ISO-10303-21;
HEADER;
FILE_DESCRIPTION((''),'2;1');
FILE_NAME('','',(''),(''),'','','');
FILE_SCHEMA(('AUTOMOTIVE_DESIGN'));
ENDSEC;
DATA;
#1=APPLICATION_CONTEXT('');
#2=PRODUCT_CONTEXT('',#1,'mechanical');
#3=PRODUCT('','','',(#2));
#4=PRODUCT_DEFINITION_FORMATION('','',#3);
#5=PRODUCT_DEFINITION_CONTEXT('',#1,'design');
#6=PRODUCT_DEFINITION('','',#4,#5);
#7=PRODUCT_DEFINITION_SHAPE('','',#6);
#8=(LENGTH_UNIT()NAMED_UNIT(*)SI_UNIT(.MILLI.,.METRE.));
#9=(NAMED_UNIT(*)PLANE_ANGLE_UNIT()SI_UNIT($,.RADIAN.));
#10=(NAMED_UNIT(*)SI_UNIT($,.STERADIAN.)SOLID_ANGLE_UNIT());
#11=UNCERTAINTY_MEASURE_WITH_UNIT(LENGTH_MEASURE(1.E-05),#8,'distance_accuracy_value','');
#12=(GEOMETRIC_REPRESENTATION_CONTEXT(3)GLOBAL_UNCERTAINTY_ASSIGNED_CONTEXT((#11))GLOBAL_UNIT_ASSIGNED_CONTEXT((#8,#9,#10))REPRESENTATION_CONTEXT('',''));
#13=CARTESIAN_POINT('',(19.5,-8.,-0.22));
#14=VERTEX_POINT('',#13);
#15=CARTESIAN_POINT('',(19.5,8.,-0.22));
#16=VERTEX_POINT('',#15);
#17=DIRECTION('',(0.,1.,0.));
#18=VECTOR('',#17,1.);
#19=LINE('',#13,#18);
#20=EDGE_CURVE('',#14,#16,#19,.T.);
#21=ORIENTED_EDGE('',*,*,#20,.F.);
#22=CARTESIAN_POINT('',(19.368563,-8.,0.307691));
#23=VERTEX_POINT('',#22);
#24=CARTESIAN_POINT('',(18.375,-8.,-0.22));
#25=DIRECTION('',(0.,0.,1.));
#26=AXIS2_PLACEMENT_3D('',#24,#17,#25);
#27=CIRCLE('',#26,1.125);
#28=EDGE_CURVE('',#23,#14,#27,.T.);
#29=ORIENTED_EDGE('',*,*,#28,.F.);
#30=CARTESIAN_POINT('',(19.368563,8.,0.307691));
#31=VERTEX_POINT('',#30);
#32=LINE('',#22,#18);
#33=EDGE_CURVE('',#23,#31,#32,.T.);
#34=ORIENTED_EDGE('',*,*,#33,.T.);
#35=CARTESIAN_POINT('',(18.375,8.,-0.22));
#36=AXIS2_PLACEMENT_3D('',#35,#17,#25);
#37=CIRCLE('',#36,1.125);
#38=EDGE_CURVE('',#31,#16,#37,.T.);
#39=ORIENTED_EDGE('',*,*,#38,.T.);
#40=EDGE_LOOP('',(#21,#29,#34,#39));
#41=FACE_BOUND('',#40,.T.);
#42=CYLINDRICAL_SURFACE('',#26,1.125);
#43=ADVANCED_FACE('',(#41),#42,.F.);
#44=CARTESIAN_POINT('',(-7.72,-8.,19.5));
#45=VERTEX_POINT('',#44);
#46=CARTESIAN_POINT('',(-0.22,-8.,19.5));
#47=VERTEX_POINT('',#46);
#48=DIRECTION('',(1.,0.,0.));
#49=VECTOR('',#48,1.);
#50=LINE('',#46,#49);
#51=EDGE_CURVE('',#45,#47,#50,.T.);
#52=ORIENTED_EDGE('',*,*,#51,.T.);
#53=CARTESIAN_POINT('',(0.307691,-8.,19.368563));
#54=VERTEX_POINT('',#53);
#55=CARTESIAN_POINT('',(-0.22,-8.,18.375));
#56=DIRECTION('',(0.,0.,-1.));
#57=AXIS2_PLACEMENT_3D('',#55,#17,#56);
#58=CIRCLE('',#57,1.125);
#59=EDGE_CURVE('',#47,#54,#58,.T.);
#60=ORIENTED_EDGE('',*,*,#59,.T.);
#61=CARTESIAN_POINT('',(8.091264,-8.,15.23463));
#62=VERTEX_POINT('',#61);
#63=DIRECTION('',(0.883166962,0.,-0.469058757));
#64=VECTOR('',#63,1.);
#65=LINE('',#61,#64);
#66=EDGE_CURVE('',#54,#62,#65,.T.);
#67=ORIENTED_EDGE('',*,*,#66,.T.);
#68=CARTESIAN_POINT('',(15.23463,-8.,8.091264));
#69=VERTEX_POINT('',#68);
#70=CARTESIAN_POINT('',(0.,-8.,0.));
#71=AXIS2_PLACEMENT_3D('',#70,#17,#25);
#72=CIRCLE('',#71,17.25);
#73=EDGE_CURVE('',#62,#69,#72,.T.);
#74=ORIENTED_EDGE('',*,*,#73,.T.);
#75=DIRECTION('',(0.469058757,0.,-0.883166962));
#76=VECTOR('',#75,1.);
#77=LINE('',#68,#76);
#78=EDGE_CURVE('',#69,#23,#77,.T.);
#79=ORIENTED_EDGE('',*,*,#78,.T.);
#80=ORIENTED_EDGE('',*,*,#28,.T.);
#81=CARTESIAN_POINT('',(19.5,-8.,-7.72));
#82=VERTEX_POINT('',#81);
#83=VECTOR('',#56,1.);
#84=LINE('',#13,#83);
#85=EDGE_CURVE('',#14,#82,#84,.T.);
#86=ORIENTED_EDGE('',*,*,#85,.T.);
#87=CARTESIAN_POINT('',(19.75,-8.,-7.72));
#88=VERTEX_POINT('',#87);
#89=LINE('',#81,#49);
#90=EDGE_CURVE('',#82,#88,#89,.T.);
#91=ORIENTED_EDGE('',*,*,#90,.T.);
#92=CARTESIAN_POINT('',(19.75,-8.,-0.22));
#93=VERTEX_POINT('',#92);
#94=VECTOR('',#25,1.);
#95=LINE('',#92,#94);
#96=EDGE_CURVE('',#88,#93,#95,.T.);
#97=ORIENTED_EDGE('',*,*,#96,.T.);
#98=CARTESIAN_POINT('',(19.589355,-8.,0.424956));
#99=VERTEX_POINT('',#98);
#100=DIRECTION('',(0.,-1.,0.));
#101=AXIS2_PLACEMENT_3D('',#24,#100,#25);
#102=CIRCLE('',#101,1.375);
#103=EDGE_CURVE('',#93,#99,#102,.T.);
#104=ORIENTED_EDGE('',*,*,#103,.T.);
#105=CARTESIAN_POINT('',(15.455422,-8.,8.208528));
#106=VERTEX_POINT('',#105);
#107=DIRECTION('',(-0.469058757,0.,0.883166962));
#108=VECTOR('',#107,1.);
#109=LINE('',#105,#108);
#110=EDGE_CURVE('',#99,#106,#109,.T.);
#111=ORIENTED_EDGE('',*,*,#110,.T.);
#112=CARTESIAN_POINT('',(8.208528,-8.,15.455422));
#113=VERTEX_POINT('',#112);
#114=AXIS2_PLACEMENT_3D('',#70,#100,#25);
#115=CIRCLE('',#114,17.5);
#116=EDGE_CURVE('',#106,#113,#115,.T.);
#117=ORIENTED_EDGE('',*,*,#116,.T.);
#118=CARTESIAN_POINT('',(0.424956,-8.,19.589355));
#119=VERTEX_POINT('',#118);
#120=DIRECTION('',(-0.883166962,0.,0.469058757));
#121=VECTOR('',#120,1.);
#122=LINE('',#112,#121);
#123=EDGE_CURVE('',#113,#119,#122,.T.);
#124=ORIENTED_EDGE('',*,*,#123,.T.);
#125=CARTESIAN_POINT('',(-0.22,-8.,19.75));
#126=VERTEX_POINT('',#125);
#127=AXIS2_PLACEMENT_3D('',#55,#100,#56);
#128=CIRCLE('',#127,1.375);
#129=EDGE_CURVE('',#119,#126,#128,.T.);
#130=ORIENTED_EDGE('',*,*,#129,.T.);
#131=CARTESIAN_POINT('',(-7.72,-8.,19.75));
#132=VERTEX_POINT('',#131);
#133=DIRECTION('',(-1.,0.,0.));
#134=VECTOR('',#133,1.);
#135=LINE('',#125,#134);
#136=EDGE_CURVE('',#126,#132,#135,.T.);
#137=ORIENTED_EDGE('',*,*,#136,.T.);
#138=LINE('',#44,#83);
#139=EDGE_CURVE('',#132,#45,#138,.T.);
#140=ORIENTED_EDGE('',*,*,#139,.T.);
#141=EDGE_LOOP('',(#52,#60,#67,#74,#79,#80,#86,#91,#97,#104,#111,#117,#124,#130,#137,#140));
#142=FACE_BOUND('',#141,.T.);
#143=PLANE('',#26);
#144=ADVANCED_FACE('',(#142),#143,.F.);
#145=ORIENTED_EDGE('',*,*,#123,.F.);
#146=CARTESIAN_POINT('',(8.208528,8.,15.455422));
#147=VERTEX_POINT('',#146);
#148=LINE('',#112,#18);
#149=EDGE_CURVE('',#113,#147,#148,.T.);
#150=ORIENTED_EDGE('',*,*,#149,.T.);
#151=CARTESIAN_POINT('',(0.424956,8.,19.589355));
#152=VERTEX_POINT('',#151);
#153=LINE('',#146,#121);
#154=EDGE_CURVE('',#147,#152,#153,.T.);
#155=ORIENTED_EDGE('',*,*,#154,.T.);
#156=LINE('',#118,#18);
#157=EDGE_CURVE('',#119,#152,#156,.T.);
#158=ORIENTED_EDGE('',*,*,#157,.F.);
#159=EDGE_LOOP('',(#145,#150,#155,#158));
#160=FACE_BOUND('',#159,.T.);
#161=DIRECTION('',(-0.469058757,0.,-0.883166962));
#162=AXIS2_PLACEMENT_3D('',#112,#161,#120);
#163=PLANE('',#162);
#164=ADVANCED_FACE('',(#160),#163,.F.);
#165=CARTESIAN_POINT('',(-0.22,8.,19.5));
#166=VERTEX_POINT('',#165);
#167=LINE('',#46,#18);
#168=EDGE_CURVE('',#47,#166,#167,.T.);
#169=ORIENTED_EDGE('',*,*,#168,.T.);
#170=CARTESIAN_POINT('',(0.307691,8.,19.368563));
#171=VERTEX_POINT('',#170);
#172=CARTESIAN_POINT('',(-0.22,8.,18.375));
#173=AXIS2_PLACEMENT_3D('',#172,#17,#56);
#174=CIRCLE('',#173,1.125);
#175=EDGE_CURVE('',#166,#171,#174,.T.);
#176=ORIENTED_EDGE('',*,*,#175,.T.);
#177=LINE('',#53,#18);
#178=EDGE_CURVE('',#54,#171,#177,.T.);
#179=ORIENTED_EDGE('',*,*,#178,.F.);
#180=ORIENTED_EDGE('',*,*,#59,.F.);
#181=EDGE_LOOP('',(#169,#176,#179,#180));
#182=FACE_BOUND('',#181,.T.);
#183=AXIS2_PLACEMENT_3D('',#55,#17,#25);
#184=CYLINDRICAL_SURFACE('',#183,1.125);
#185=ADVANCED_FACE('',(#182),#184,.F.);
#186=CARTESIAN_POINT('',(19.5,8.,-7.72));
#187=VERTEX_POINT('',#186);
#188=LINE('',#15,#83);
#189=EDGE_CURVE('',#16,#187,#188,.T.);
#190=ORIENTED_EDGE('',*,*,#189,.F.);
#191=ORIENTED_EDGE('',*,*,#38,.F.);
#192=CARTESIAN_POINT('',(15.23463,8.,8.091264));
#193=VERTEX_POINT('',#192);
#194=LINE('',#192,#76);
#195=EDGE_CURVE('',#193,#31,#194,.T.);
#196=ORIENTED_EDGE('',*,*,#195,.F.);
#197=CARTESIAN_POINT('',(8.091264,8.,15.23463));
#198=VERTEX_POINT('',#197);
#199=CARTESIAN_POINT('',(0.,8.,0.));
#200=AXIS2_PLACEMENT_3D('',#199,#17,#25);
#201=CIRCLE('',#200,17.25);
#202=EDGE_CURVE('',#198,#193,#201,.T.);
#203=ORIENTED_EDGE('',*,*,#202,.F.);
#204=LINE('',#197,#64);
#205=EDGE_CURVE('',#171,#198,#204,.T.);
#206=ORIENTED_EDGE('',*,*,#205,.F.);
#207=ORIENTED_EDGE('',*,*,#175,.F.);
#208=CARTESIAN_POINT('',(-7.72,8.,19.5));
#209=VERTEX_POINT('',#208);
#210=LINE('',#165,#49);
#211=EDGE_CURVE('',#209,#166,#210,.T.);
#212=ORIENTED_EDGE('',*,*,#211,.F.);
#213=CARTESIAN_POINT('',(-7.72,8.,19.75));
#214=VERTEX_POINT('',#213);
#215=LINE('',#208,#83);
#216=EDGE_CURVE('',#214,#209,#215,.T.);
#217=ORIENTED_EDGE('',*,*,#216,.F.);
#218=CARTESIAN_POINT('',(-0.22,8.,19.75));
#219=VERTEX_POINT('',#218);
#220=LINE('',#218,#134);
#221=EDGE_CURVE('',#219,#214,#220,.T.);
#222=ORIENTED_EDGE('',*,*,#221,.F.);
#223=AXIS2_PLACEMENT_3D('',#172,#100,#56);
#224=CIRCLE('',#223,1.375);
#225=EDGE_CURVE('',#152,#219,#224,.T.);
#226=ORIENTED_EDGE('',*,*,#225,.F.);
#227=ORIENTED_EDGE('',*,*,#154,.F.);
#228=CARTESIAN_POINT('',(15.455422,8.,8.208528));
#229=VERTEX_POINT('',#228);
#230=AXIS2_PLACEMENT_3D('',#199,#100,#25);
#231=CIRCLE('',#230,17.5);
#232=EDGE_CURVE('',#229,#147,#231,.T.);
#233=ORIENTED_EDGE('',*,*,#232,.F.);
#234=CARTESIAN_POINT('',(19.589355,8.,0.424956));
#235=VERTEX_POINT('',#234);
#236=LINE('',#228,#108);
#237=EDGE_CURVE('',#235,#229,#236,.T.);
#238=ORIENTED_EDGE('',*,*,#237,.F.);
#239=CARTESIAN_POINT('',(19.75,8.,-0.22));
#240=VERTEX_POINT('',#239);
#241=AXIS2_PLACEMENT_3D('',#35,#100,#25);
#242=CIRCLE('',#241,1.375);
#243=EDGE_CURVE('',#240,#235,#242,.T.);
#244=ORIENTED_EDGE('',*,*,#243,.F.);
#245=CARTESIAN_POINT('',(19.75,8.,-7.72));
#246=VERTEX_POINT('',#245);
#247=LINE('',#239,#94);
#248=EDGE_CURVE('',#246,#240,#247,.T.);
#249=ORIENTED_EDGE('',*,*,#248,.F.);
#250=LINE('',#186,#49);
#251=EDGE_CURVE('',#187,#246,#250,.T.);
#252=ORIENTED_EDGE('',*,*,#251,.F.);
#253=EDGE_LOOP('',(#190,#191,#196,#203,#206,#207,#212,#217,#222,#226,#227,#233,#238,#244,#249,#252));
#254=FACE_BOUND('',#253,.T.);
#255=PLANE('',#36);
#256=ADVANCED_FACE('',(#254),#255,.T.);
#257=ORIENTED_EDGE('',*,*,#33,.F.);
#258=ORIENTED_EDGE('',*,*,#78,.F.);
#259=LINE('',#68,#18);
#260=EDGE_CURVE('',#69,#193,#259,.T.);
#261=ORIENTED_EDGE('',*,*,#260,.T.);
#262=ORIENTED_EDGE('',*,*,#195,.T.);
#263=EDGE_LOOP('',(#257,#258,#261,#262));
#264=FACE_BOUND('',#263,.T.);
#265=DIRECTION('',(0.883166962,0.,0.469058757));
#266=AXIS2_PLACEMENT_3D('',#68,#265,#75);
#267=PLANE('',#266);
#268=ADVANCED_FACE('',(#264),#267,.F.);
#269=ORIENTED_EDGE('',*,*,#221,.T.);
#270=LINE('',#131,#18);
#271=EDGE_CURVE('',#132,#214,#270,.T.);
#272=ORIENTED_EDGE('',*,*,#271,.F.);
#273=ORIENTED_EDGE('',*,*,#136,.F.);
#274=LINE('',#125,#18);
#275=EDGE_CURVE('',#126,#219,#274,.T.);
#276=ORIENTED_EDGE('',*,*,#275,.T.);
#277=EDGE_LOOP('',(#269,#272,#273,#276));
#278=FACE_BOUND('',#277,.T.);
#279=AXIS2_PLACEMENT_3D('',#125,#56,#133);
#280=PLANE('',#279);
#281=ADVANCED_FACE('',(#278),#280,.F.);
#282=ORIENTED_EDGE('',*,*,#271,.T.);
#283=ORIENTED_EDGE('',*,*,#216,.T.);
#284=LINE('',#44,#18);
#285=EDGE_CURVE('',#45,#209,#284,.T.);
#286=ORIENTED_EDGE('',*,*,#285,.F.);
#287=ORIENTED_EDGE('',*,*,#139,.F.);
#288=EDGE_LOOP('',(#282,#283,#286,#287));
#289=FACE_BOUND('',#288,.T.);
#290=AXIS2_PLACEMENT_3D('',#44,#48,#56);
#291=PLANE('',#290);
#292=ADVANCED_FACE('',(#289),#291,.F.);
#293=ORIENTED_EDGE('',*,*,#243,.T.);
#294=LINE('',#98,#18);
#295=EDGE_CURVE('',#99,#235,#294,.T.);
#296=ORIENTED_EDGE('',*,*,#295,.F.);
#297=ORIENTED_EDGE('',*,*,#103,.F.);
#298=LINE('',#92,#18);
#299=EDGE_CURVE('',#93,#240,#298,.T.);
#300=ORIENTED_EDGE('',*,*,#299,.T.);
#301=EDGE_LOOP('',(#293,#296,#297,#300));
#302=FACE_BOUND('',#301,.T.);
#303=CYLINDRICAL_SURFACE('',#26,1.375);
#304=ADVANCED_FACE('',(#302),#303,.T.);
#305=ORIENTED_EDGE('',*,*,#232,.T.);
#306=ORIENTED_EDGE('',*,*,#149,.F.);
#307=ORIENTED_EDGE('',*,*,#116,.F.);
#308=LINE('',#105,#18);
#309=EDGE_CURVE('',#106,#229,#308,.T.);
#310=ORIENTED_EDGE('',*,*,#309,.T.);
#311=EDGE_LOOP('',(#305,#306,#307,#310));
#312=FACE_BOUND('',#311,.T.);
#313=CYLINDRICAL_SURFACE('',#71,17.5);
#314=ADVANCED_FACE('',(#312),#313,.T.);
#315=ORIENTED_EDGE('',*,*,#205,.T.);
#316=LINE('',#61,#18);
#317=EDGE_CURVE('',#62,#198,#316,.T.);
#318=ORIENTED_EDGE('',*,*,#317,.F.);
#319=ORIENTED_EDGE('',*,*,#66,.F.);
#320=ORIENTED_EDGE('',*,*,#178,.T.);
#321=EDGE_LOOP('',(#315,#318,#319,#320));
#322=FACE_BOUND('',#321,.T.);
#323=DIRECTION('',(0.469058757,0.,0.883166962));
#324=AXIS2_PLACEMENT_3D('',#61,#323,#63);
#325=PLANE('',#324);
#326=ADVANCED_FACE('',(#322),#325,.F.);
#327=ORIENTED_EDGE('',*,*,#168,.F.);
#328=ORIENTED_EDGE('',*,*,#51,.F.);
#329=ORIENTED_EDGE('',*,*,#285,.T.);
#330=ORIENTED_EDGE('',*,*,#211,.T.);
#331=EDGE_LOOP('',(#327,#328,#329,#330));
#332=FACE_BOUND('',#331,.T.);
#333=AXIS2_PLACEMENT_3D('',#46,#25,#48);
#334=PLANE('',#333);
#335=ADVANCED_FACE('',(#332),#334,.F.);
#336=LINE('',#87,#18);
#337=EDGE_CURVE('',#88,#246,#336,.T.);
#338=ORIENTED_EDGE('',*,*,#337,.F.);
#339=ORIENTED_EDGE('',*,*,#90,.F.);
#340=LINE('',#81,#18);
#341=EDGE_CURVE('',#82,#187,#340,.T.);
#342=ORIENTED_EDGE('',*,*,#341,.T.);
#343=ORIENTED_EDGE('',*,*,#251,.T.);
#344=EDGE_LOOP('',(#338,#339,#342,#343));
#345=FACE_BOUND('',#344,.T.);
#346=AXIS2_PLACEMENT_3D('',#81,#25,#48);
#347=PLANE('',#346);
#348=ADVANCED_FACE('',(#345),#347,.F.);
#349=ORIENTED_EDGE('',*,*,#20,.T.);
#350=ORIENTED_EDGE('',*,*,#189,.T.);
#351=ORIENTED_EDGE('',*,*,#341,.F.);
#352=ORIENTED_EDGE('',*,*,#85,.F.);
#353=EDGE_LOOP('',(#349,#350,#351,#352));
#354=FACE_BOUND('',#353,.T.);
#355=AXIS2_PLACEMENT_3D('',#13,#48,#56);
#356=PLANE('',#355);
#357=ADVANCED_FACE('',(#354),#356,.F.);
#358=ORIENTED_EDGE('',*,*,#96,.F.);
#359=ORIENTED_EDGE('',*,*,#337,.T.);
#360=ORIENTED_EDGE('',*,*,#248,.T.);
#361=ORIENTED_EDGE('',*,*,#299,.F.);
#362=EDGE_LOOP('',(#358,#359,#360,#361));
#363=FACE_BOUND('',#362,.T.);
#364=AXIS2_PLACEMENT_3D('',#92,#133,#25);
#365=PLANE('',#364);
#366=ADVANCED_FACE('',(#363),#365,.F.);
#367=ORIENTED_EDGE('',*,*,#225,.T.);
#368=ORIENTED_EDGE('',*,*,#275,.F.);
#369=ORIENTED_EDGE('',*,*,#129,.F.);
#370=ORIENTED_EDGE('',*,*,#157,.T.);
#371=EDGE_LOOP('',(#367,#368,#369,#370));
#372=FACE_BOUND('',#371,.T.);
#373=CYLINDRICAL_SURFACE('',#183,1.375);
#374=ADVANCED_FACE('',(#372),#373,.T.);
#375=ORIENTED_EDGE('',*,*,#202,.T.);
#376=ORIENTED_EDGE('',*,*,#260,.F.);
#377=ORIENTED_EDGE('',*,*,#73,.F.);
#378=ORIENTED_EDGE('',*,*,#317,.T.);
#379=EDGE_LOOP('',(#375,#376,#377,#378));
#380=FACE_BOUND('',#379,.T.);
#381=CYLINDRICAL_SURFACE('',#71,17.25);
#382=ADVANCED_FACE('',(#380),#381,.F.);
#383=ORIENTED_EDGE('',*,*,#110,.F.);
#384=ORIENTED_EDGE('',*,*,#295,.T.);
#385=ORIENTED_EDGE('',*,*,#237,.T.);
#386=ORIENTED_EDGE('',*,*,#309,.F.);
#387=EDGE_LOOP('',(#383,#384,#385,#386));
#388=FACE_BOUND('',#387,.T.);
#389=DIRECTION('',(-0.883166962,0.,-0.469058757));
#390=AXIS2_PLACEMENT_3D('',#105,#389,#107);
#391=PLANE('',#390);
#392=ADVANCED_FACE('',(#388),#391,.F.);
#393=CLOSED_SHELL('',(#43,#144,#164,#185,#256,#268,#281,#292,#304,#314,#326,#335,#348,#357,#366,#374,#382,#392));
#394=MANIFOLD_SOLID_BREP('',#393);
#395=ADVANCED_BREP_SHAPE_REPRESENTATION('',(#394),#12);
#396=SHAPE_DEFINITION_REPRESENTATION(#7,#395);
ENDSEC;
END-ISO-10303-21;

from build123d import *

# Parameters (mm, degrees)
EXTRUDE1_DEPTH = 8


with BuildPart() as part:
    # Sketch1 → Extrude1 (new body, symmetric)
    with BuildSketch(Plane(origin=(0, 0, 0), x_dir=(0, 0, -1), z_dir=(0, -1, 0))):
        with BuildLine():
            Line((-15.234630094, 8.091263553), (-19.368562832, 0.307691101))
            ThreePointArc((-19.368562832, 0.307691101), (-19.466646277, 0.051906982), (-19.5, -0.22))
            Line((-19.5, -0.22), (-19.5, -7.72))
            Line((-19.5, -7.72), (-19.75, -7.72))
            Line((-19.75, -7.72), (-19.75, -0.22))
            ThreePointArc((-19.75, -0.22), (-19.709234338, 0.112330756), (-19.589354573, 0.42495579))
            Line((-19.589354573, 0.42495579), (-15.455421835, 8.208528243))
            ThreePointArc((-15.455421835, 8.208528243), (-12.374368671, 12.374368671), (-8.208528243, 15.455421835))
            Line((-8.208528243, 15.455421835), (-0.42495579, 19.589354573))
            ThreePointArc((-0.42495579, 19.589354573), (-0.112330756, 19.709234338), (0.22, 19.75))
            Line((0.22, 19.75), (7.72, 19.75))
            Line((7.72, 19.75), (7.72, 19.5))
            Line((7.72, 19.5), (0.22, 19.5))
            ThreePointArc((0.22, 19.5), (-0.051906982, 19.466646277), (-0.307691101, 19.368562832))
            Line((-0.307691101, 19.368562832), (-8.091263553, 15.234630094))
            ThreePointArc((-8.091263553, 15.234630094), (-12.197591975, 12.197591975), (-15.234630094, 8.091263553))
        make_face()
    extrude(amount=EXTRUDE1_DEPTH, both=True)


solid = part.part
